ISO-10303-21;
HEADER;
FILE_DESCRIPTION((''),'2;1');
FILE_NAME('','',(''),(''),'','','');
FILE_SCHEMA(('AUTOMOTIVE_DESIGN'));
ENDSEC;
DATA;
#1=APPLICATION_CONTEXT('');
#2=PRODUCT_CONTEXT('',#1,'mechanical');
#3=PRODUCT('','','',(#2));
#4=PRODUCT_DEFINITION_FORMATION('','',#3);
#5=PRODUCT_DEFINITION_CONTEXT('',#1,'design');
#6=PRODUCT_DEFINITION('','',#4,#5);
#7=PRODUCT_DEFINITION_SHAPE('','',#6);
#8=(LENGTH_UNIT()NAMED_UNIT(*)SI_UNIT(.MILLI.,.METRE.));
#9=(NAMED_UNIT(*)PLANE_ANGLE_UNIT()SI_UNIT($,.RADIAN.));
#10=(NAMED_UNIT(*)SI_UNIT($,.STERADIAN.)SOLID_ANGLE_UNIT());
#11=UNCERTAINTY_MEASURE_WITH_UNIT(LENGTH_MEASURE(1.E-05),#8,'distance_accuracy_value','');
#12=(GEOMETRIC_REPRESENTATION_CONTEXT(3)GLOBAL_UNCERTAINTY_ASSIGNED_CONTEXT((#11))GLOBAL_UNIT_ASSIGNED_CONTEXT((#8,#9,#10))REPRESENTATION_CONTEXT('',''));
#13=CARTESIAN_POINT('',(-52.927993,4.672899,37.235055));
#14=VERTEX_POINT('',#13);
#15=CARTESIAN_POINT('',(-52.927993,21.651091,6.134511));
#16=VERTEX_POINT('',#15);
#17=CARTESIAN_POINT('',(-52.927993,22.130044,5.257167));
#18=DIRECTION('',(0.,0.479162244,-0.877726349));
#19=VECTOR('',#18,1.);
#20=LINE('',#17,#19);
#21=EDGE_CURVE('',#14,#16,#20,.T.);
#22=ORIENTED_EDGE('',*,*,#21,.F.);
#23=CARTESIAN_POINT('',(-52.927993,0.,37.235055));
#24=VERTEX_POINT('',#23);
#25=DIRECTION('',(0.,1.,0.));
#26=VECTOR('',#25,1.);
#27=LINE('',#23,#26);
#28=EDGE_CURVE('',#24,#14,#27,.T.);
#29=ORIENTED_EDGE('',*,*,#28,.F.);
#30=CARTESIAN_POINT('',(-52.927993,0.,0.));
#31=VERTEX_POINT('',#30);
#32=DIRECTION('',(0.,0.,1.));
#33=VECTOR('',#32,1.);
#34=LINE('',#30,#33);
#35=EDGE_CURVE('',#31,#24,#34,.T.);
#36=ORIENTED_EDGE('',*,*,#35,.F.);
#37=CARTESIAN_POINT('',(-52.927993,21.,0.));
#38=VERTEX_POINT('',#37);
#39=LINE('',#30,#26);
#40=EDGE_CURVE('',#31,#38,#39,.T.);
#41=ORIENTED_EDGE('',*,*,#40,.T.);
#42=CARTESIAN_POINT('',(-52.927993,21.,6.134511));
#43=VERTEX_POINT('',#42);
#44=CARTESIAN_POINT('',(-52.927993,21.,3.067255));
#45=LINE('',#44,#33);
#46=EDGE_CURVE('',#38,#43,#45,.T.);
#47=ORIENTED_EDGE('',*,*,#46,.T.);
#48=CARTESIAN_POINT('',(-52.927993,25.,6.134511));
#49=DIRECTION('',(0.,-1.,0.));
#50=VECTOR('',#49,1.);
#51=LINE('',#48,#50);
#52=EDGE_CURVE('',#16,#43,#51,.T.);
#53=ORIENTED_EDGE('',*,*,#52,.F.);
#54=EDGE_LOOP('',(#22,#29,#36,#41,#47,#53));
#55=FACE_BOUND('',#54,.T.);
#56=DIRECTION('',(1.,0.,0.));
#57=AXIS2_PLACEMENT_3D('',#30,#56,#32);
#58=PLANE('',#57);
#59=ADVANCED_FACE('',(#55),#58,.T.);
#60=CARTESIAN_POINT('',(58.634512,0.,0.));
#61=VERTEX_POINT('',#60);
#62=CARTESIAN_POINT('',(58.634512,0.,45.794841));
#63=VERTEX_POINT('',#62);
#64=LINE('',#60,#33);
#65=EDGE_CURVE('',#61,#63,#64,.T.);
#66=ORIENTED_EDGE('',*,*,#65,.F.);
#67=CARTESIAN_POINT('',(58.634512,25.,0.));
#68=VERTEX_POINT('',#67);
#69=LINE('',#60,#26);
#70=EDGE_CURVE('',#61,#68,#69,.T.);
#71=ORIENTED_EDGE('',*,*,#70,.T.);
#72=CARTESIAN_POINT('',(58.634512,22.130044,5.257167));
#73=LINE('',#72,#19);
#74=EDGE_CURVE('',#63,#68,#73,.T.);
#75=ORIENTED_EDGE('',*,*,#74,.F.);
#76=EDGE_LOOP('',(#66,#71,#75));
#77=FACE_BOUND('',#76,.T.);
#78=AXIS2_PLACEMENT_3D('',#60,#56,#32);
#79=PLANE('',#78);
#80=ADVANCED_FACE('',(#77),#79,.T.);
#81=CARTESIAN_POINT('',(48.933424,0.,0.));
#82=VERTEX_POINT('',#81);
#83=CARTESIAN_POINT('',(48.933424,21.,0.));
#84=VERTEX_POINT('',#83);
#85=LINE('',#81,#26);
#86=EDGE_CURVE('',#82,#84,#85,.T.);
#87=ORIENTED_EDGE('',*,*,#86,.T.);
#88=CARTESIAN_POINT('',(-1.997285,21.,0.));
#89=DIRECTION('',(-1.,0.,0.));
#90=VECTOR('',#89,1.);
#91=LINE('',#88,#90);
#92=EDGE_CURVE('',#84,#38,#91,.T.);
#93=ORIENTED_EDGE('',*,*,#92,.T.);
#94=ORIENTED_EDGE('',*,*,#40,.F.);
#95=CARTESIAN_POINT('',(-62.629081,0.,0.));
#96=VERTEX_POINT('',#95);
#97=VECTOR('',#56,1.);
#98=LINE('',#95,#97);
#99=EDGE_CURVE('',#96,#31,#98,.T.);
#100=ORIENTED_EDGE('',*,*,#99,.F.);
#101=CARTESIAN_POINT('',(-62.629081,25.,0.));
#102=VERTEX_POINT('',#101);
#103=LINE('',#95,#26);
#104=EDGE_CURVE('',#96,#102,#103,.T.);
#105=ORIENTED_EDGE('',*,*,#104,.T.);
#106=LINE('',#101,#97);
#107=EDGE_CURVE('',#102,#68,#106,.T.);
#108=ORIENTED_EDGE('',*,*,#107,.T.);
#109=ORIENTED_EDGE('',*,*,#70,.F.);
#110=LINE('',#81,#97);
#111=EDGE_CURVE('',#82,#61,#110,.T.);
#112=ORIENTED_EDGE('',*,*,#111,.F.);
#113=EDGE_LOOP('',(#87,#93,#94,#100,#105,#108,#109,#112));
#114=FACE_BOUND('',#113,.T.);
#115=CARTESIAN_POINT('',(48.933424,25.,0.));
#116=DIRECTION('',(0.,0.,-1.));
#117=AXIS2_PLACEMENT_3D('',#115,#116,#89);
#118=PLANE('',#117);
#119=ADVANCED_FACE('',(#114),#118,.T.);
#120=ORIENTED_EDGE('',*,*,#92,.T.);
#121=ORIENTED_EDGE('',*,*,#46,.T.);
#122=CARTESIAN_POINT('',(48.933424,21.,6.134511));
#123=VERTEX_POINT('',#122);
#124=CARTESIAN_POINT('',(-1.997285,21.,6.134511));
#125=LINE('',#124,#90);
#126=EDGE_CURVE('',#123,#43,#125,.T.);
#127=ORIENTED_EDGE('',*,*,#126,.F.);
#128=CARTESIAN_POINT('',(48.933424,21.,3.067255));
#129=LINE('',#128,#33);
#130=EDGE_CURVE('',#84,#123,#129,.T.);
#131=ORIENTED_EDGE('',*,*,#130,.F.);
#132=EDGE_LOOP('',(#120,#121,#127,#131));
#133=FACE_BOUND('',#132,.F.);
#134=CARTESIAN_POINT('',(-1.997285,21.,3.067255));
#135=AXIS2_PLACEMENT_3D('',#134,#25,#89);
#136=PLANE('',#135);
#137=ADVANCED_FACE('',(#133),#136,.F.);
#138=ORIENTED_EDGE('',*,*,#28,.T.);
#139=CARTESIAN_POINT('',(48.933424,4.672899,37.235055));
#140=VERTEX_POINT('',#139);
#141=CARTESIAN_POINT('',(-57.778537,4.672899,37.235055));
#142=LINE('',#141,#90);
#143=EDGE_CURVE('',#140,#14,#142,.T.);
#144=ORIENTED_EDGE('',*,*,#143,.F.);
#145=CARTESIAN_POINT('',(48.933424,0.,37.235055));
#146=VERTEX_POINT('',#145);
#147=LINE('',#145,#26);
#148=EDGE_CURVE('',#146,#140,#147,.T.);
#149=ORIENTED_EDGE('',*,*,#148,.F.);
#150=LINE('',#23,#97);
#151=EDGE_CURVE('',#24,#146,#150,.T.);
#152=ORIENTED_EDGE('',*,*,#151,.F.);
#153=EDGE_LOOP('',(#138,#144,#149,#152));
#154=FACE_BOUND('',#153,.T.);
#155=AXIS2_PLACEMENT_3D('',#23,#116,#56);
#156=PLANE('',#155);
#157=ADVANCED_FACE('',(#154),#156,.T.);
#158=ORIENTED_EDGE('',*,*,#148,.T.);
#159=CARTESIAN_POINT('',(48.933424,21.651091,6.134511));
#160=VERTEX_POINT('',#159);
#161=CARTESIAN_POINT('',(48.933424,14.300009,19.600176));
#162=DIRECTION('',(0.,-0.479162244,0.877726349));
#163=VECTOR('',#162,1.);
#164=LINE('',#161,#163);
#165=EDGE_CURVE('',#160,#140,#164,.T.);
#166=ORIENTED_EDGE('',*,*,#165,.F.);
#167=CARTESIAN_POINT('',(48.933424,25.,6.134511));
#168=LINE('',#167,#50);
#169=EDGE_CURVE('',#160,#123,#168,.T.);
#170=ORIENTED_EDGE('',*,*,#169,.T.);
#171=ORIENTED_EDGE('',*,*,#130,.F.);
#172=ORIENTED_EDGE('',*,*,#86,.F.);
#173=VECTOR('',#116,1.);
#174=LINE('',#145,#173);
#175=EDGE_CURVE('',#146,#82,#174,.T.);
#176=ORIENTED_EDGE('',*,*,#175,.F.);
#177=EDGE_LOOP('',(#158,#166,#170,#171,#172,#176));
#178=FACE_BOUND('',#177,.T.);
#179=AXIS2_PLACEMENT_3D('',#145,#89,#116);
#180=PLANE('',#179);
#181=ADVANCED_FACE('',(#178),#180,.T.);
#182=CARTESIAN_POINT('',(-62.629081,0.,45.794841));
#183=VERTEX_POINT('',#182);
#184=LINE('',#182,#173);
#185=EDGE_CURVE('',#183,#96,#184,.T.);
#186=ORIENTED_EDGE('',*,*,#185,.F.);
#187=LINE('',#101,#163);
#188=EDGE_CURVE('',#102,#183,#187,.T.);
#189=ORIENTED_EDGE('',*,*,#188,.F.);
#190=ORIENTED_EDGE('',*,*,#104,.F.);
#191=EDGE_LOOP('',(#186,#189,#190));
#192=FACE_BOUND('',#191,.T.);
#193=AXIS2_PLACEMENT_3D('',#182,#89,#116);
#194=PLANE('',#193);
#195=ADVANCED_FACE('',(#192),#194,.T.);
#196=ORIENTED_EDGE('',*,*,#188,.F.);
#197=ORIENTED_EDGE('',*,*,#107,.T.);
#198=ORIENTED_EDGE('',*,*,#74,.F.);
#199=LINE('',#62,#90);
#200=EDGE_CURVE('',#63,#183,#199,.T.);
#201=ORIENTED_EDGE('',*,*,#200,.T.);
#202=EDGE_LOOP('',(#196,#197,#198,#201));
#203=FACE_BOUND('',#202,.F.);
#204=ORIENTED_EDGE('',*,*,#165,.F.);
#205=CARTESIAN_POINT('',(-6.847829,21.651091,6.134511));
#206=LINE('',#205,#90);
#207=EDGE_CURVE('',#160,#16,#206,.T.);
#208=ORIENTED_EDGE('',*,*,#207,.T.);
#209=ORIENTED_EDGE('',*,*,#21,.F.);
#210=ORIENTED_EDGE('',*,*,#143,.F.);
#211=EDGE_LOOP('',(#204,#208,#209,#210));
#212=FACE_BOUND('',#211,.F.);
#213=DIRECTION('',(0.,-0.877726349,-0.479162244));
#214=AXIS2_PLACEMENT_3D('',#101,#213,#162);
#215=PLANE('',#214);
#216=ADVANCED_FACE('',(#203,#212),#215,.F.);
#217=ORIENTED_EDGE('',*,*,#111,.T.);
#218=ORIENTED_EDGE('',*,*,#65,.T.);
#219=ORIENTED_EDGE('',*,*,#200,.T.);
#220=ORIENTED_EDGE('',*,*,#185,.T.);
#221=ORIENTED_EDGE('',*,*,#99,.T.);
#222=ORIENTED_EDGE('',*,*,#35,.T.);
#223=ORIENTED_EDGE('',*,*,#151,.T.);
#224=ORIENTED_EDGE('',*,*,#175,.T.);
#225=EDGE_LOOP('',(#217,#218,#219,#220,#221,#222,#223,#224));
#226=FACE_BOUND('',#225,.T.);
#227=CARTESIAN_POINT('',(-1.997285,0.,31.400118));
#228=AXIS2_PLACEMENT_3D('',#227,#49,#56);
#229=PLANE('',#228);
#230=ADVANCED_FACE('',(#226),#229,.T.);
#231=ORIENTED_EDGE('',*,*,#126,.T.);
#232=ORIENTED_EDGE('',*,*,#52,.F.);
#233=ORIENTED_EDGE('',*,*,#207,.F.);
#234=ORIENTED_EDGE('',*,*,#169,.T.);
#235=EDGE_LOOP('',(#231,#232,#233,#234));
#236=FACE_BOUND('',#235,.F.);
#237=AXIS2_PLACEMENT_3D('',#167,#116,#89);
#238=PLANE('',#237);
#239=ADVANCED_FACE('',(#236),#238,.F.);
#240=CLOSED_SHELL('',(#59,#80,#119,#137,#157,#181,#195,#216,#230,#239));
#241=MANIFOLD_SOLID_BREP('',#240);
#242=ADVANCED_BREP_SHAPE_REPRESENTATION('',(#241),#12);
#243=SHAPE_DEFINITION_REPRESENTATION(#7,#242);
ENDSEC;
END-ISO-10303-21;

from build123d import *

# Parameters (mm, degrees)
F1_DEPTH = 25
F2_W     = 101.8614172935
F2_H     = 6.1345109716
F3_DEPTH = 4
F5_DEPTH = 500


with BuildPart() as f1:
    # F0 (on Front) → F1 (new body)
    with BuildSketch(Plane.XZ):
        Polygon((-62.6290813088, 45.7948409021), (-62.6290813088, 0), (-52.927993238, 0), (-52.927993238, 37.2350551188), (48.9334240556, 37.2350551188), (48.9334240556, 0), (58.6345121264, 0), (58.6345121264, 45.7948409021), align=None)
    extrude(amount=-F1_DEPTH)

    # F2 (on face) → F3 (join)
    with BuildSketch(Plane(origin=(0, 25, 0), x_dir=(-1, 0, 0), z_dir=(0, 1, 0))):
        with Locations((1.9972845912, 3.0672554858)):
            Rectangle(F2_W, F2_H)
    extrude(amount=-F3_DEPTH)

    # F4 (on face) → F5 (cut)
    with BuildSketch(Plane(origin=(-62.6290813088, 0, 0), x_dir=(0, -1, 0), z_dir=(-1, 0, 0))):
        Polygon((-25, 0), (0, 45.7948409021), (-25, 45.7948409021), align=None)
    extrude(amount=-F5_DEPTH, mode=Mode.SUBTRACT)


solid = f1.part
